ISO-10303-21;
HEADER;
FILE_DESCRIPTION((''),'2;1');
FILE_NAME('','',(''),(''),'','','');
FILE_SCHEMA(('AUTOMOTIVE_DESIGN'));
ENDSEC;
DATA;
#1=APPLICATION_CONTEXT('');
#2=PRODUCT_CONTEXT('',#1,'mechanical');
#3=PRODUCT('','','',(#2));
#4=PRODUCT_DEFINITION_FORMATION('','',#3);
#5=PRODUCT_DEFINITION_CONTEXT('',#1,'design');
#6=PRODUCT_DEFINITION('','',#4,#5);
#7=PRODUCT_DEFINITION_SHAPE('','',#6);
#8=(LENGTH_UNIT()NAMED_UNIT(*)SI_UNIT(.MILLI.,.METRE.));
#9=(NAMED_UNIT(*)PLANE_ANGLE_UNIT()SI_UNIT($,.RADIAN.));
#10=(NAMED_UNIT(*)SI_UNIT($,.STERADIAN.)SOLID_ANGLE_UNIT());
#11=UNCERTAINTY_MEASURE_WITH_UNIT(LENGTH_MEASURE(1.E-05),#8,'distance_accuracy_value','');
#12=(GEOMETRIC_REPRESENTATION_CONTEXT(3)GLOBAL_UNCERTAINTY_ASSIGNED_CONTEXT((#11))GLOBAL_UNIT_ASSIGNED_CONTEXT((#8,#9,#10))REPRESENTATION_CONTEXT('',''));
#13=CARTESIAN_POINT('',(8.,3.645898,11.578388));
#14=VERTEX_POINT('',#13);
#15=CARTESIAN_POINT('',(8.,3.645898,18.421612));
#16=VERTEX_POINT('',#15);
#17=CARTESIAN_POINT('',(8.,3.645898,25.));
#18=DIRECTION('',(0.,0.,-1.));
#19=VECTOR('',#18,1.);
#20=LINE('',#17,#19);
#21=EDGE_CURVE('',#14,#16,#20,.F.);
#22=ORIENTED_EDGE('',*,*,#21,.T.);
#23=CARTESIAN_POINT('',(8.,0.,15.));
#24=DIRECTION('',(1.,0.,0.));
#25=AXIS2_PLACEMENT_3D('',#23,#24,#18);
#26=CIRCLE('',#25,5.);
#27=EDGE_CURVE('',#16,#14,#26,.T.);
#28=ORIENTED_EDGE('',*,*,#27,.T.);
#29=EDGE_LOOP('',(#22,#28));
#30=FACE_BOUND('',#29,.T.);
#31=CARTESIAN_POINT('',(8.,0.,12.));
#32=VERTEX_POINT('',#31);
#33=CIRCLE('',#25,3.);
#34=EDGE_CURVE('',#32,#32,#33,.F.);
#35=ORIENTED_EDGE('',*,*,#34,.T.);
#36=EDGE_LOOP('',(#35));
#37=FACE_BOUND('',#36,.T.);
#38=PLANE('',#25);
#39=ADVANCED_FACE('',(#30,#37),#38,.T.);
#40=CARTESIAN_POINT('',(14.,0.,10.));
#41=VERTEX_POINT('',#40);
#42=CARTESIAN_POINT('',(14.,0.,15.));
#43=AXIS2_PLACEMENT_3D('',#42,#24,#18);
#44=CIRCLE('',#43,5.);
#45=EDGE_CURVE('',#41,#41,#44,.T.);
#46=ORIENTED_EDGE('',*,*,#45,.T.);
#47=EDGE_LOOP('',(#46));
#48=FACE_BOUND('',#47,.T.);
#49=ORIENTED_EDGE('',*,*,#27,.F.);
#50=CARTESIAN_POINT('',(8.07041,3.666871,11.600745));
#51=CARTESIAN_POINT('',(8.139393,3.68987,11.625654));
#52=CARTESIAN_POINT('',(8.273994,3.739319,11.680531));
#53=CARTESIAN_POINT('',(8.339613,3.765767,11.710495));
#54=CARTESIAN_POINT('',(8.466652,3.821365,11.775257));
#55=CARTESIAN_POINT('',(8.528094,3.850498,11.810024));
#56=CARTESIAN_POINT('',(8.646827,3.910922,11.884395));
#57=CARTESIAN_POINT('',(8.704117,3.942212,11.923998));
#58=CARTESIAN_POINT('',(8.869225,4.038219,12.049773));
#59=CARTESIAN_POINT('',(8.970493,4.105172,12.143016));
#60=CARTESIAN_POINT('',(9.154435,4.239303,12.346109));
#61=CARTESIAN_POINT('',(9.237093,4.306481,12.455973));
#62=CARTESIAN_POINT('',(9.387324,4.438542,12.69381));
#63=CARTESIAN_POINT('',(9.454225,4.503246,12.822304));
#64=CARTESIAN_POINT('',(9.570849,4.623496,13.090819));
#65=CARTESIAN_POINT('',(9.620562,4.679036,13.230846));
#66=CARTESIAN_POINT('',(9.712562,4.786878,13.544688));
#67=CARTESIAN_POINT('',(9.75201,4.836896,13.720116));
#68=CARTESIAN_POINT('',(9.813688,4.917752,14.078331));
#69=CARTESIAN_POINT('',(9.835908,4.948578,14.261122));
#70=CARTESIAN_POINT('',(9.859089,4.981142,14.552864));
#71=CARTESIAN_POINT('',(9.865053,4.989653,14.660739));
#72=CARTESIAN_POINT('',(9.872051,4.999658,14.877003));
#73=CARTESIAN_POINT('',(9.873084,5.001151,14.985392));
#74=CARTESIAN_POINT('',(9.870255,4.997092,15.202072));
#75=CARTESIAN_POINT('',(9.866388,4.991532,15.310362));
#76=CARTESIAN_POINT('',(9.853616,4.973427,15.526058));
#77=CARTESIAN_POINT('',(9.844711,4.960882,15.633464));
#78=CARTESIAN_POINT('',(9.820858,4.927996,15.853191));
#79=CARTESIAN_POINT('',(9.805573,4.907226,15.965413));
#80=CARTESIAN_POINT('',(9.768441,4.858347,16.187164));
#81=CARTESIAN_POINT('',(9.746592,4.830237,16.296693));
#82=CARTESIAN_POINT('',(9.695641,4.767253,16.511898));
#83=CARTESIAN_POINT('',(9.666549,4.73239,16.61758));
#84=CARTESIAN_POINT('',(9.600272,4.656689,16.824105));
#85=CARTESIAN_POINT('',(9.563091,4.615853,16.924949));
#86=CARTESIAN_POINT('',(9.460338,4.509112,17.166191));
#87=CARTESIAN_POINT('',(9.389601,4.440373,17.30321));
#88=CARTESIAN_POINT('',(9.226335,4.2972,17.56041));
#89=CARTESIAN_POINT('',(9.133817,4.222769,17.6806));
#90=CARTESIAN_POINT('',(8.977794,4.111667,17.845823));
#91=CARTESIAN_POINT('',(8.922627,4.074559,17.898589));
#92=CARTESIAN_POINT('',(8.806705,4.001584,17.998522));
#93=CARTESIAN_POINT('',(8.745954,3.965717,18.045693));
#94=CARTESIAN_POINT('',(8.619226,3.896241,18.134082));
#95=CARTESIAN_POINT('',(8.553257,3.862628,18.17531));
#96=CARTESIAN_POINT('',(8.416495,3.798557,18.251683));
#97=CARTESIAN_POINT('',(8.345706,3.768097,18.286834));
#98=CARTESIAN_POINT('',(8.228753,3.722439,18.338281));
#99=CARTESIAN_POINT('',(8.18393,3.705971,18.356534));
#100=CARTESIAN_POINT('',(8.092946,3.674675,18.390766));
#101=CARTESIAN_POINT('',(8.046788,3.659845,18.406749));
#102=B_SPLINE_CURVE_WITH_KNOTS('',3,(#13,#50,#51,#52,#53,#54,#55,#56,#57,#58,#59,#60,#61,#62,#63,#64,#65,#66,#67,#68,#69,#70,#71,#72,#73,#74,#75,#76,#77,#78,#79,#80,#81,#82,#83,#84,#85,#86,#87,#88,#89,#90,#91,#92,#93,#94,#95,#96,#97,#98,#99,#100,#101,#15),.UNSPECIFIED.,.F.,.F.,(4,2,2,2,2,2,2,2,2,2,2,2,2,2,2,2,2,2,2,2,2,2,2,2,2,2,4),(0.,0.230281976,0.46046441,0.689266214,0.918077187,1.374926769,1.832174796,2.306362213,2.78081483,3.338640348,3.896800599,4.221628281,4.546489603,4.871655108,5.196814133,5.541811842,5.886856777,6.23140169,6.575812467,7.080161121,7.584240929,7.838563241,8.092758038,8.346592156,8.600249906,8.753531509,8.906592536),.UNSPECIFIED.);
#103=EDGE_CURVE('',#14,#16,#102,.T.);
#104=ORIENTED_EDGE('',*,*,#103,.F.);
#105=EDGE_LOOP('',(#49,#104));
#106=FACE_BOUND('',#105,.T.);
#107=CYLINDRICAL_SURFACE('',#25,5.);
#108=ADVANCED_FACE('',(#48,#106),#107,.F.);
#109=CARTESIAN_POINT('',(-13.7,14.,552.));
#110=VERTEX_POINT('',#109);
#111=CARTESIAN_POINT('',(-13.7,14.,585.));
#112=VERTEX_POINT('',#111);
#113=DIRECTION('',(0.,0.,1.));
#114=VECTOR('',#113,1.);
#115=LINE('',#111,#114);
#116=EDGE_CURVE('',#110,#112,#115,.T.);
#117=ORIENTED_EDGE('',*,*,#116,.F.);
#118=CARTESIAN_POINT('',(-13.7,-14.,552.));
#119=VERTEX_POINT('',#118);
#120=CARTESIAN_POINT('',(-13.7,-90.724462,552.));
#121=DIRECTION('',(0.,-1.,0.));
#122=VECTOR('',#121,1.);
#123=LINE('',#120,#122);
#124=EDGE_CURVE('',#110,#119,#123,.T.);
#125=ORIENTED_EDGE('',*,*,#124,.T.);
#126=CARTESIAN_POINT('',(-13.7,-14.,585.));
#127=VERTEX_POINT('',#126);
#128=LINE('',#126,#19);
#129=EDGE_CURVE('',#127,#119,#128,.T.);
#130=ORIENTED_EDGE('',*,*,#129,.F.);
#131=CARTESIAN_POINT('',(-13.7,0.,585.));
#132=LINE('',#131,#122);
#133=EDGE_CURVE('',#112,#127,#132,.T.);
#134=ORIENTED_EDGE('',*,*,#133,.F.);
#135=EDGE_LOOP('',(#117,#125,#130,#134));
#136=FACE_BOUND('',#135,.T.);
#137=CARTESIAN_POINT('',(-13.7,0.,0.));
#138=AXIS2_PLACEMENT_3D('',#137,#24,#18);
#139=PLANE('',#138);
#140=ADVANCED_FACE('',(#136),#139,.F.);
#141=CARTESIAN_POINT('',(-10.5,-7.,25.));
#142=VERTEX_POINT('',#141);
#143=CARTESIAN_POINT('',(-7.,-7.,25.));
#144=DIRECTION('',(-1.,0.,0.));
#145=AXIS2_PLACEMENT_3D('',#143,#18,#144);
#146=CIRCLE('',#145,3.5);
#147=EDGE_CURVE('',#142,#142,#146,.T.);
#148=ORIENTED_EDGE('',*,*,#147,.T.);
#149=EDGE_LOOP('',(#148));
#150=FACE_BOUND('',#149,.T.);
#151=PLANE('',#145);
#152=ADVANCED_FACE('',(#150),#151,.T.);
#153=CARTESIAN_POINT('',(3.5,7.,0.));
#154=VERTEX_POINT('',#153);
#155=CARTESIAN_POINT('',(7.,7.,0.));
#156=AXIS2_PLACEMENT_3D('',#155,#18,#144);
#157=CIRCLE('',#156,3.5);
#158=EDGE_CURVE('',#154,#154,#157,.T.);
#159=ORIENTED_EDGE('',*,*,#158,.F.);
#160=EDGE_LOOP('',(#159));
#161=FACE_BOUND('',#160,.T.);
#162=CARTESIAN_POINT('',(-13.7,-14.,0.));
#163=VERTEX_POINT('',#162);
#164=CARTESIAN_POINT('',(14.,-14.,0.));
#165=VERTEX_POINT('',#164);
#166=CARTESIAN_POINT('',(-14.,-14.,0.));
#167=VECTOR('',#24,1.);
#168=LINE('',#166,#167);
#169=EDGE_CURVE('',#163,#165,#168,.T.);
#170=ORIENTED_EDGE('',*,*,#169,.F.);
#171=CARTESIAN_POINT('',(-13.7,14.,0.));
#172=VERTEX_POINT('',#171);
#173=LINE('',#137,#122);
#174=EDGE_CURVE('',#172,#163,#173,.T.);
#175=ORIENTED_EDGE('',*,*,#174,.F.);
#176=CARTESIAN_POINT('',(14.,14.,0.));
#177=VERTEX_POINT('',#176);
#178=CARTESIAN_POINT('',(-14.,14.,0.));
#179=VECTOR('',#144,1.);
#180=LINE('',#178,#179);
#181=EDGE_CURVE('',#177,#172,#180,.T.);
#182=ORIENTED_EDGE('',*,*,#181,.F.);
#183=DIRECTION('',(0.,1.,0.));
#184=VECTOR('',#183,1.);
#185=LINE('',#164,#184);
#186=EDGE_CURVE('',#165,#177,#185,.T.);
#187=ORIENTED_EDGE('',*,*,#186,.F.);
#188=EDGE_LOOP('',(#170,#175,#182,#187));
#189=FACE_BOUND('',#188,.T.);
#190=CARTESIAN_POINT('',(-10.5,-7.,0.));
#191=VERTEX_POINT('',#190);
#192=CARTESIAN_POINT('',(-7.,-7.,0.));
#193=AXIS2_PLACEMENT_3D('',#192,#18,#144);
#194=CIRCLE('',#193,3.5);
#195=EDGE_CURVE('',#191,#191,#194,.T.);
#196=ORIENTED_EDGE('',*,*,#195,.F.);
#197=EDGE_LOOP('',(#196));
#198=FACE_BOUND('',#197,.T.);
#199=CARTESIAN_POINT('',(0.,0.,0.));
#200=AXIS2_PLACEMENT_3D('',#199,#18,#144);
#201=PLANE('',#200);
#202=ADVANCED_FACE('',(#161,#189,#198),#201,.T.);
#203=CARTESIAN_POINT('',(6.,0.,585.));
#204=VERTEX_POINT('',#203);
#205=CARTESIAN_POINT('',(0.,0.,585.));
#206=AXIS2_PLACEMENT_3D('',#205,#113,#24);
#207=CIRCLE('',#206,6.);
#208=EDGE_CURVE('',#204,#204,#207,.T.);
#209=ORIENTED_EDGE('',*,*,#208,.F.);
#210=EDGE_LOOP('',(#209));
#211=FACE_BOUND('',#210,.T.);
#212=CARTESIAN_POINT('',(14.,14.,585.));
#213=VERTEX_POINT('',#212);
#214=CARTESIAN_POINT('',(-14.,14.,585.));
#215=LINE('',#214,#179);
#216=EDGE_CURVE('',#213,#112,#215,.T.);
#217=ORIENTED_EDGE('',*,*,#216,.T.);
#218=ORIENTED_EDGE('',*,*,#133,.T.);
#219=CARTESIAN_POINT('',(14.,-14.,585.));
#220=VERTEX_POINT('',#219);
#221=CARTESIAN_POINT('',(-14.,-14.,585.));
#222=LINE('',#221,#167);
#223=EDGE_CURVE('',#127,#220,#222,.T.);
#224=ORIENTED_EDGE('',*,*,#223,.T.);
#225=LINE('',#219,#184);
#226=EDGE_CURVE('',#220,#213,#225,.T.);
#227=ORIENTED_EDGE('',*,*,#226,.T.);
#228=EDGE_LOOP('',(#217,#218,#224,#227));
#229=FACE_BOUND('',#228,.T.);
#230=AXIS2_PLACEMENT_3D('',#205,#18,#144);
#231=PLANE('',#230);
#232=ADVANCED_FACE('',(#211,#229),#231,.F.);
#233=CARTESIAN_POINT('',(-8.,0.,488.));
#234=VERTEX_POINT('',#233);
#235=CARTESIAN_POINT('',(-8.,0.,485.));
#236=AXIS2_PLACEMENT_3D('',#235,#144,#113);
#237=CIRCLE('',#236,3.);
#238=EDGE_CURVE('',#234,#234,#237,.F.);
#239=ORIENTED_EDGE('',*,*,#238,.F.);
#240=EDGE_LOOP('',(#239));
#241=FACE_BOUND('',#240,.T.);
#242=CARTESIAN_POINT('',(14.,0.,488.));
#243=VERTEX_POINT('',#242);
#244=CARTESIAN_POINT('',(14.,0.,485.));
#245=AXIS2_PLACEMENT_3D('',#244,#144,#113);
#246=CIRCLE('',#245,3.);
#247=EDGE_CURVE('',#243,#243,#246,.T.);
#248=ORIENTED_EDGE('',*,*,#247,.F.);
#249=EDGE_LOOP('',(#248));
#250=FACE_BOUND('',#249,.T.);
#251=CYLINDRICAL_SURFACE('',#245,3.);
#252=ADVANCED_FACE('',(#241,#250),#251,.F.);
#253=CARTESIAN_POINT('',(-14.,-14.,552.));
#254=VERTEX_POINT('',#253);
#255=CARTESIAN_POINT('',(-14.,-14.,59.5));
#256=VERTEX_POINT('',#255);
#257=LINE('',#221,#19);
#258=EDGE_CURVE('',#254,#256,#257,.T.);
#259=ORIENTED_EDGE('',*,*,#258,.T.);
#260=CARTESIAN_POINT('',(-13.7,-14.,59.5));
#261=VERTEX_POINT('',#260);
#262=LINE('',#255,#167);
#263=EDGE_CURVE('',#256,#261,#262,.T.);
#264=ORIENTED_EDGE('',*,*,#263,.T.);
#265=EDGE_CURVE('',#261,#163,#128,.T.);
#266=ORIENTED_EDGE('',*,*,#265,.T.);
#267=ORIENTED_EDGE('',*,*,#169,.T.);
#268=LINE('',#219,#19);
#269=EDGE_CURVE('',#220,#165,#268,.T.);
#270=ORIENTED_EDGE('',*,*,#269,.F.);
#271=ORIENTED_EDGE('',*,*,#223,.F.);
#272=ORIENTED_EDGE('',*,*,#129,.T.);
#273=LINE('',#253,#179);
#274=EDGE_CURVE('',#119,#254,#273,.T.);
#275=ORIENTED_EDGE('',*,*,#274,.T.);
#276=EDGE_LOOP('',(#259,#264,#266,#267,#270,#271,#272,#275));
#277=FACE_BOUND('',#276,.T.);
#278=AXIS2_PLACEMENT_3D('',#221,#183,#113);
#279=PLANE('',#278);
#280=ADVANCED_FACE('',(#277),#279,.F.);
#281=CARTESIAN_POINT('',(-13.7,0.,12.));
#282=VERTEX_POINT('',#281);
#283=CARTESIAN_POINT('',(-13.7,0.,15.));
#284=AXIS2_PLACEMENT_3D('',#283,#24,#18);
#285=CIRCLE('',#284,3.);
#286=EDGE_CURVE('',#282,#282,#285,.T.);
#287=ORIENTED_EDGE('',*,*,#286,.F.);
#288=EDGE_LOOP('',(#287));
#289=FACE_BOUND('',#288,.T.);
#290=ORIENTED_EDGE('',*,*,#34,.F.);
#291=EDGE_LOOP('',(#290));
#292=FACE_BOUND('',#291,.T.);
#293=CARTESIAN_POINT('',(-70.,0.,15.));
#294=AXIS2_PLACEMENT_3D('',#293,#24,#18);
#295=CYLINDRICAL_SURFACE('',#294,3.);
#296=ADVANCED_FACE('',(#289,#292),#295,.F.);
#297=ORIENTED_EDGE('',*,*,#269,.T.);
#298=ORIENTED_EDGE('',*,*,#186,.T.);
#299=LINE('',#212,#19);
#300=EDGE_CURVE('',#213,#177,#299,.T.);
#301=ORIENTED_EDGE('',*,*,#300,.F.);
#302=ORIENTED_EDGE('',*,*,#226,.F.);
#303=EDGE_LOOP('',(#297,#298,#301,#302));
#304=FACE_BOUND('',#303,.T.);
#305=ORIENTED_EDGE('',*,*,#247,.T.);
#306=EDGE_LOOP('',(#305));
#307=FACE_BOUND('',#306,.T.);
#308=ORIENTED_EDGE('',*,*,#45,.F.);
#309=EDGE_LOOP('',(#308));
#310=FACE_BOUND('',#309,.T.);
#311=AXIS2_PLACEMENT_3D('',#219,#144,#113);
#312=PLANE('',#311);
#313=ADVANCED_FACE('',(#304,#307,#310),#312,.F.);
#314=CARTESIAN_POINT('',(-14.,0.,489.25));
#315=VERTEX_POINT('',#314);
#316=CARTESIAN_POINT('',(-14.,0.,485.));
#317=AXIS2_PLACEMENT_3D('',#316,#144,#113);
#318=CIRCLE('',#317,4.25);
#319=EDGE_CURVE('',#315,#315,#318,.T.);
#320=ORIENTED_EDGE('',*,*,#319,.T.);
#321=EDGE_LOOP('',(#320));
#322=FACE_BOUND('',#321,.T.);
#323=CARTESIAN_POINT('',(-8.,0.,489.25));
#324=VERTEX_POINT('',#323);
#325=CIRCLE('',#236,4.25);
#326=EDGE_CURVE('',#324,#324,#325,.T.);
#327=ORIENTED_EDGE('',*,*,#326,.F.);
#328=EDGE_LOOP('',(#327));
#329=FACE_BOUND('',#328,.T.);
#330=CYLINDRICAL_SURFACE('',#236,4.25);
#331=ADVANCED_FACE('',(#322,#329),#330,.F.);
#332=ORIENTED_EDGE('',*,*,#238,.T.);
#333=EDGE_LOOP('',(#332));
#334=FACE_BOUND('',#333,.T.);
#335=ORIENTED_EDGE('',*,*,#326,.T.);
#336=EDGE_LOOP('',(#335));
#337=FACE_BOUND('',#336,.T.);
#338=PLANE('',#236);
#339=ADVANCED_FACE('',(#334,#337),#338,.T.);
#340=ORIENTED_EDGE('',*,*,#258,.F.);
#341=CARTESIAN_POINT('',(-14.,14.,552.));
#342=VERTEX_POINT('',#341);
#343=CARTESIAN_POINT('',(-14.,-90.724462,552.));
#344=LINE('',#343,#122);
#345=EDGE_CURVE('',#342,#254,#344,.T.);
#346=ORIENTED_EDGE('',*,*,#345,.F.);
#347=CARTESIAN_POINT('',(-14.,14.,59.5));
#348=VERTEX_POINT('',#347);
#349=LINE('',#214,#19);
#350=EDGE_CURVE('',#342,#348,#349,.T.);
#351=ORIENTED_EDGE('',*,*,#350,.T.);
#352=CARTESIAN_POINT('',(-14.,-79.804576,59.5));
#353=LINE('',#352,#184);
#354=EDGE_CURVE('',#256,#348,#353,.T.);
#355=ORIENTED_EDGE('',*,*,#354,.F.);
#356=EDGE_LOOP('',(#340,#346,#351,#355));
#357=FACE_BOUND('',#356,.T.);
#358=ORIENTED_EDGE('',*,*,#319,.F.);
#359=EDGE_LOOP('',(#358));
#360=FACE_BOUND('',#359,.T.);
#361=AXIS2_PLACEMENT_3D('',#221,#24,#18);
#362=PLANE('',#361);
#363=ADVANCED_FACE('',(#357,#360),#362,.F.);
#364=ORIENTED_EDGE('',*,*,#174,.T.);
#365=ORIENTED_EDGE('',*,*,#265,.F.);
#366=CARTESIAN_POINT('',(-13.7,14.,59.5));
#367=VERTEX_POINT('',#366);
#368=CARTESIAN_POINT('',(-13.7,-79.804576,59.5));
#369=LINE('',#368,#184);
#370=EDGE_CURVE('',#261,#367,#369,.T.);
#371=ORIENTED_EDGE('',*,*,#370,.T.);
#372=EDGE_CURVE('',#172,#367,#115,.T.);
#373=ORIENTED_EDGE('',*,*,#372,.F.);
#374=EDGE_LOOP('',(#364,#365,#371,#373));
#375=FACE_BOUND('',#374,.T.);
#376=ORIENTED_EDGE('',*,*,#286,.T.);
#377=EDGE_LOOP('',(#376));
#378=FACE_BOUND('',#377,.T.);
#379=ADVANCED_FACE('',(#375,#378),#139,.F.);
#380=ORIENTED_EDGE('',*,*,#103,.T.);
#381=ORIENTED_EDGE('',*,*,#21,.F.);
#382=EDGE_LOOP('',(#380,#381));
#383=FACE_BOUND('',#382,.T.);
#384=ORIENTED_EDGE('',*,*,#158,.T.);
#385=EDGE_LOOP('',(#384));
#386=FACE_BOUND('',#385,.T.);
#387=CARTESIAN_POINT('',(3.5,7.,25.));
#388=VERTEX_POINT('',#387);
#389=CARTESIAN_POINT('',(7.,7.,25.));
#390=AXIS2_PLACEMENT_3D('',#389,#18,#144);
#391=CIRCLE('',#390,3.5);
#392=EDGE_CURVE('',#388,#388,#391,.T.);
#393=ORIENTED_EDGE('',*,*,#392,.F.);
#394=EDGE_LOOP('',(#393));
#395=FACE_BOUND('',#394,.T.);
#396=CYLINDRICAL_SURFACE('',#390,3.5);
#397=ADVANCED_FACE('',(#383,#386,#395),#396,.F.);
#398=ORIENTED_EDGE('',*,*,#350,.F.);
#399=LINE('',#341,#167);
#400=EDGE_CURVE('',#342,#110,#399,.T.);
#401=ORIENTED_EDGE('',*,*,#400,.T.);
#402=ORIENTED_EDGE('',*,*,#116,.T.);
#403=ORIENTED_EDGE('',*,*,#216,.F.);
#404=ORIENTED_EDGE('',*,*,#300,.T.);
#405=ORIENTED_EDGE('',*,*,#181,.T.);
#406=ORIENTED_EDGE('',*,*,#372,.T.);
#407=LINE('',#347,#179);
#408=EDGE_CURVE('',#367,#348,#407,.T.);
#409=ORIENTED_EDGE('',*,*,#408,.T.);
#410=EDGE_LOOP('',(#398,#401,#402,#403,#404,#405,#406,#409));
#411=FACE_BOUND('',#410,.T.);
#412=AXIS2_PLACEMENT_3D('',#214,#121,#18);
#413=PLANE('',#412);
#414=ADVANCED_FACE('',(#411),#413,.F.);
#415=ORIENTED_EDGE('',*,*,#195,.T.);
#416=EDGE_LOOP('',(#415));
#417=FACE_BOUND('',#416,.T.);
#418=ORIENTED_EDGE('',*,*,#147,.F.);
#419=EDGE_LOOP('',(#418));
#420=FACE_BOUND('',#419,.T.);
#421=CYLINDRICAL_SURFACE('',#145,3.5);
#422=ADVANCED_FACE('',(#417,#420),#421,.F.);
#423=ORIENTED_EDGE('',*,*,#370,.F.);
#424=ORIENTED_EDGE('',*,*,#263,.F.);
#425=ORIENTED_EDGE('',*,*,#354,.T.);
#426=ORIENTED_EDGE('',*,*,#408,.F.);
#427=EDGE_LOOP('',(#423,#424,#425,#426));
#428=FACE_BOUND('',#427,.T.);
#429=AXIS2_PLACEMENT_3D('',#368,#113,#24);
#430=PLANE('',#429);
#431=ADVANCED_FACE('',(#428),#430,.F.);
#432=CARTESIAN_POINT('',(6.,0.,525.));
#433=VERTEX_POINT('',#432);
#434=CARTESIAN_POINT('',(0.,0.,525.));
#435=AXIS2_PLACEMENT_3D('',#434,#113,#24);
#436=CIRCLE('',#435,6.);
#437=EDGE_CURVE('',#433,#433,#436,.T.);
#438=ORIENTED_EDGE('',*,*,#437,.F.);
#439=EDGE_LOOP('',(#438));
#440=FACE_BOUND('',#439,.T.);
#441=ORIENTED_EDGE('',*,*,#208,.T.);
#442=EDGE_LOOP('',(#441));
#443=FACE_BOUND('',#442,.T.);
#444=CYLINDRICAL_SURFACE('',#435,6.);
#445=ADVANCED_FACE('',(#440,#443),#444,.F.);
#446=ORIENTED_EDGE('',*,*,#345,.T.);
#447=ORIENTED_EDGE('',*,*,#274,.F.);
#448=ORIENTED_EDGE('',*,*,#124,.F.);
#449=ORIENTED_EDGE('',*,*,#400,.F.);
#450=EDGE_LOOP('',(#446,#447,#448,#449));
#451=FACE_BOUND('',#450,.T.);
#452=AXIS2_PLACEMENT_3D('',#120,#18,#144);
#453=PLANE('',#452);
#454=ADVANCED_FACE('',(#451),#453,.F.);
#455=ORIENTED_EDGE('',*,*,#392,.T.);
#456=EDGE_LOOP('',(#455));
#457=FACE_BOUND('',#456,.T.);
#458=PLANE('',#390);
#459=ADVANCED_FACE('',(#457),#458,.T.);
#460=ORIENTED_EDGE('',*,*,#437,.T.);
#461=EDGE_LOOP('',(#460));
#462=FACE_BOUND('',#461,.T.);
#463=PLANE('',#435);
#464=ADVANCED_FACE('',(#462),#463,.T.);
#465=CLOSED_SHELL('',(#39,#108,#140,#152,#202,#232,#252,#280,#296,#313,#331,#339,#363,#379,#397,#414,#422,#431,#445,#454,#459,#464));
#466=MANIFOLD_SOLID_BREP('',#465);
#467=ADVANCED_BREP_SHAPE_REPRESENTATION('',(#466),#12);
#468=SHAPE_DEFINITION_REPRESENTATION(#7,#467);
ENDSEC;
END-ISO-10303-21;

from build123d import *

# Parameters (mm, degrees)
IZIM1_W                     = 28
IZIM1_H                     = 28
Y_KSEKLIK_EKSTR_ZYON1_DEPTH = 585
IZIM2_R                     = 6
KES_EKSTR_ZYON1_DEPTH       = 60
SKETCH1_R                   = 3.5
CUT_EXTRUDE1_DEPTH          = 25
SKETCH3_R                   = 3
CUT_EXTRUDE2_DEPTH          = 586.837008049
SKETCH5_R                   = 4.25
CUT_EXTRUDE4_DEPTH          = 6
SKETCH6_W                   = 68.791406121
SKETCH6_H                   = 219.206637727
SKETCH6_W_2                 = 68.987868966
SKETCH6_H_2                 = 174.940464565
CUT_EXTRUDE5_DEPTH          = 0.3
SKETCH7_R                   = 3
CUT_EXTRUDE6_DEPTH          = 84
SKETCH8_R                   = 5
CUT_EXTRUDE7_DEPTH          = 6


with BuildPart() as part:
    # Çizim1 → Yükseklik-Ekstrüzyon1 (new body)
    with BuildSketch(Plane.XY):
        Rectangle(IZIM1_W, IZIM1_H)
    extrude(amount=Y_KSEKLIK_EKSTR_ZYON1_DEPTH)

    # Çizim2 → Kes-Ekstrüzyon1 (cut)
    with BuildSketch(Plane.XY.offset(585)):
        Circle(IZIM2_R)
    extrude(amount=-KES_EKSTR_ZYON1_DEPTH, mode=Mode.SUBTRACT)

    # Sketch1 → Cut-Extrude1 (cut)
    with BuildSketch(Plane(origin=(0, 0, 0), x_dir=(-1, 0, 0), z_dir=(0, 0, -1))):
        with Locations((-7, 7)):
            Circle(SKETCH1_R)
        with Locations((7, -7)):
            Circle(SKETCH1_R)
    extrude(amount=-CUT_EXTRUDE1_DEPTH, mode=Mode.SUBTRACT)

    # Sketch3 → Cut-Extrude2 (cut, through all)
    with BuildSketch(Plane.ZY.offset(14)):
        with Locations((485, 0)):
            Circle(SKETCH3_R)
    extrude(amount=-CUT_EXTRUDE2_DEPTH, mode=Mode.SUBTRACT)

    # Sketch5 → Cut-Extrude4 (cut)
    with BuildSketch(Plane.ZY.offset(14)):
        with Locations((485, 0)):
            Circle(SKETCH5_R)
    extrude(amount=-CUT_EXTRUDE4_DEPTH, mode=Mode.SUBTRACT)

    # Sketch6 → Cut-Extrude5 (cut)
    with BuildSketch(Plane.ZY.offset(14)):
        with Locations((586.39570306, 18.878857334)):
            Rectangle(SKETCH6_W, SKETCH6_H)
        with Locations((25.006065517, 7.665656751)):
            Rectangle(SKETCH6_W_2, SKETCH6_H_2)
    extrude(amount=-CUT_EXTRUDE5_DEPTH, mode=Mode.SUBTRACT)

    # Sketch7 → Cut-Extrude6 (cut)
    with BuildSketch(Plane(origin=(14, 0, 0), x_dir=(0, 0, -1), z_dir=(1, 0, 0))):
        with Locations((-15, 0)):
            Circle(SKETCH7_R)
    extrude(amount=-CUT_EXTRUDE6_DEPTH, mode=Mode.SUBTRACT)

    # Sketch8 → Cut-Extrude7 (cut)
    with BuildSketch(Plane(origin=(14, 0, 0), x_dir=(0, 0, -1), z_dir=(1, 0, 0))):
        with Locations((-15, 0)):
            Circle(SKETCH8_R)
    extrude(amount=-CUT_EXTRUDE7_DEPTH, mode=Mode.SUBTRACT)


solid = part.part
